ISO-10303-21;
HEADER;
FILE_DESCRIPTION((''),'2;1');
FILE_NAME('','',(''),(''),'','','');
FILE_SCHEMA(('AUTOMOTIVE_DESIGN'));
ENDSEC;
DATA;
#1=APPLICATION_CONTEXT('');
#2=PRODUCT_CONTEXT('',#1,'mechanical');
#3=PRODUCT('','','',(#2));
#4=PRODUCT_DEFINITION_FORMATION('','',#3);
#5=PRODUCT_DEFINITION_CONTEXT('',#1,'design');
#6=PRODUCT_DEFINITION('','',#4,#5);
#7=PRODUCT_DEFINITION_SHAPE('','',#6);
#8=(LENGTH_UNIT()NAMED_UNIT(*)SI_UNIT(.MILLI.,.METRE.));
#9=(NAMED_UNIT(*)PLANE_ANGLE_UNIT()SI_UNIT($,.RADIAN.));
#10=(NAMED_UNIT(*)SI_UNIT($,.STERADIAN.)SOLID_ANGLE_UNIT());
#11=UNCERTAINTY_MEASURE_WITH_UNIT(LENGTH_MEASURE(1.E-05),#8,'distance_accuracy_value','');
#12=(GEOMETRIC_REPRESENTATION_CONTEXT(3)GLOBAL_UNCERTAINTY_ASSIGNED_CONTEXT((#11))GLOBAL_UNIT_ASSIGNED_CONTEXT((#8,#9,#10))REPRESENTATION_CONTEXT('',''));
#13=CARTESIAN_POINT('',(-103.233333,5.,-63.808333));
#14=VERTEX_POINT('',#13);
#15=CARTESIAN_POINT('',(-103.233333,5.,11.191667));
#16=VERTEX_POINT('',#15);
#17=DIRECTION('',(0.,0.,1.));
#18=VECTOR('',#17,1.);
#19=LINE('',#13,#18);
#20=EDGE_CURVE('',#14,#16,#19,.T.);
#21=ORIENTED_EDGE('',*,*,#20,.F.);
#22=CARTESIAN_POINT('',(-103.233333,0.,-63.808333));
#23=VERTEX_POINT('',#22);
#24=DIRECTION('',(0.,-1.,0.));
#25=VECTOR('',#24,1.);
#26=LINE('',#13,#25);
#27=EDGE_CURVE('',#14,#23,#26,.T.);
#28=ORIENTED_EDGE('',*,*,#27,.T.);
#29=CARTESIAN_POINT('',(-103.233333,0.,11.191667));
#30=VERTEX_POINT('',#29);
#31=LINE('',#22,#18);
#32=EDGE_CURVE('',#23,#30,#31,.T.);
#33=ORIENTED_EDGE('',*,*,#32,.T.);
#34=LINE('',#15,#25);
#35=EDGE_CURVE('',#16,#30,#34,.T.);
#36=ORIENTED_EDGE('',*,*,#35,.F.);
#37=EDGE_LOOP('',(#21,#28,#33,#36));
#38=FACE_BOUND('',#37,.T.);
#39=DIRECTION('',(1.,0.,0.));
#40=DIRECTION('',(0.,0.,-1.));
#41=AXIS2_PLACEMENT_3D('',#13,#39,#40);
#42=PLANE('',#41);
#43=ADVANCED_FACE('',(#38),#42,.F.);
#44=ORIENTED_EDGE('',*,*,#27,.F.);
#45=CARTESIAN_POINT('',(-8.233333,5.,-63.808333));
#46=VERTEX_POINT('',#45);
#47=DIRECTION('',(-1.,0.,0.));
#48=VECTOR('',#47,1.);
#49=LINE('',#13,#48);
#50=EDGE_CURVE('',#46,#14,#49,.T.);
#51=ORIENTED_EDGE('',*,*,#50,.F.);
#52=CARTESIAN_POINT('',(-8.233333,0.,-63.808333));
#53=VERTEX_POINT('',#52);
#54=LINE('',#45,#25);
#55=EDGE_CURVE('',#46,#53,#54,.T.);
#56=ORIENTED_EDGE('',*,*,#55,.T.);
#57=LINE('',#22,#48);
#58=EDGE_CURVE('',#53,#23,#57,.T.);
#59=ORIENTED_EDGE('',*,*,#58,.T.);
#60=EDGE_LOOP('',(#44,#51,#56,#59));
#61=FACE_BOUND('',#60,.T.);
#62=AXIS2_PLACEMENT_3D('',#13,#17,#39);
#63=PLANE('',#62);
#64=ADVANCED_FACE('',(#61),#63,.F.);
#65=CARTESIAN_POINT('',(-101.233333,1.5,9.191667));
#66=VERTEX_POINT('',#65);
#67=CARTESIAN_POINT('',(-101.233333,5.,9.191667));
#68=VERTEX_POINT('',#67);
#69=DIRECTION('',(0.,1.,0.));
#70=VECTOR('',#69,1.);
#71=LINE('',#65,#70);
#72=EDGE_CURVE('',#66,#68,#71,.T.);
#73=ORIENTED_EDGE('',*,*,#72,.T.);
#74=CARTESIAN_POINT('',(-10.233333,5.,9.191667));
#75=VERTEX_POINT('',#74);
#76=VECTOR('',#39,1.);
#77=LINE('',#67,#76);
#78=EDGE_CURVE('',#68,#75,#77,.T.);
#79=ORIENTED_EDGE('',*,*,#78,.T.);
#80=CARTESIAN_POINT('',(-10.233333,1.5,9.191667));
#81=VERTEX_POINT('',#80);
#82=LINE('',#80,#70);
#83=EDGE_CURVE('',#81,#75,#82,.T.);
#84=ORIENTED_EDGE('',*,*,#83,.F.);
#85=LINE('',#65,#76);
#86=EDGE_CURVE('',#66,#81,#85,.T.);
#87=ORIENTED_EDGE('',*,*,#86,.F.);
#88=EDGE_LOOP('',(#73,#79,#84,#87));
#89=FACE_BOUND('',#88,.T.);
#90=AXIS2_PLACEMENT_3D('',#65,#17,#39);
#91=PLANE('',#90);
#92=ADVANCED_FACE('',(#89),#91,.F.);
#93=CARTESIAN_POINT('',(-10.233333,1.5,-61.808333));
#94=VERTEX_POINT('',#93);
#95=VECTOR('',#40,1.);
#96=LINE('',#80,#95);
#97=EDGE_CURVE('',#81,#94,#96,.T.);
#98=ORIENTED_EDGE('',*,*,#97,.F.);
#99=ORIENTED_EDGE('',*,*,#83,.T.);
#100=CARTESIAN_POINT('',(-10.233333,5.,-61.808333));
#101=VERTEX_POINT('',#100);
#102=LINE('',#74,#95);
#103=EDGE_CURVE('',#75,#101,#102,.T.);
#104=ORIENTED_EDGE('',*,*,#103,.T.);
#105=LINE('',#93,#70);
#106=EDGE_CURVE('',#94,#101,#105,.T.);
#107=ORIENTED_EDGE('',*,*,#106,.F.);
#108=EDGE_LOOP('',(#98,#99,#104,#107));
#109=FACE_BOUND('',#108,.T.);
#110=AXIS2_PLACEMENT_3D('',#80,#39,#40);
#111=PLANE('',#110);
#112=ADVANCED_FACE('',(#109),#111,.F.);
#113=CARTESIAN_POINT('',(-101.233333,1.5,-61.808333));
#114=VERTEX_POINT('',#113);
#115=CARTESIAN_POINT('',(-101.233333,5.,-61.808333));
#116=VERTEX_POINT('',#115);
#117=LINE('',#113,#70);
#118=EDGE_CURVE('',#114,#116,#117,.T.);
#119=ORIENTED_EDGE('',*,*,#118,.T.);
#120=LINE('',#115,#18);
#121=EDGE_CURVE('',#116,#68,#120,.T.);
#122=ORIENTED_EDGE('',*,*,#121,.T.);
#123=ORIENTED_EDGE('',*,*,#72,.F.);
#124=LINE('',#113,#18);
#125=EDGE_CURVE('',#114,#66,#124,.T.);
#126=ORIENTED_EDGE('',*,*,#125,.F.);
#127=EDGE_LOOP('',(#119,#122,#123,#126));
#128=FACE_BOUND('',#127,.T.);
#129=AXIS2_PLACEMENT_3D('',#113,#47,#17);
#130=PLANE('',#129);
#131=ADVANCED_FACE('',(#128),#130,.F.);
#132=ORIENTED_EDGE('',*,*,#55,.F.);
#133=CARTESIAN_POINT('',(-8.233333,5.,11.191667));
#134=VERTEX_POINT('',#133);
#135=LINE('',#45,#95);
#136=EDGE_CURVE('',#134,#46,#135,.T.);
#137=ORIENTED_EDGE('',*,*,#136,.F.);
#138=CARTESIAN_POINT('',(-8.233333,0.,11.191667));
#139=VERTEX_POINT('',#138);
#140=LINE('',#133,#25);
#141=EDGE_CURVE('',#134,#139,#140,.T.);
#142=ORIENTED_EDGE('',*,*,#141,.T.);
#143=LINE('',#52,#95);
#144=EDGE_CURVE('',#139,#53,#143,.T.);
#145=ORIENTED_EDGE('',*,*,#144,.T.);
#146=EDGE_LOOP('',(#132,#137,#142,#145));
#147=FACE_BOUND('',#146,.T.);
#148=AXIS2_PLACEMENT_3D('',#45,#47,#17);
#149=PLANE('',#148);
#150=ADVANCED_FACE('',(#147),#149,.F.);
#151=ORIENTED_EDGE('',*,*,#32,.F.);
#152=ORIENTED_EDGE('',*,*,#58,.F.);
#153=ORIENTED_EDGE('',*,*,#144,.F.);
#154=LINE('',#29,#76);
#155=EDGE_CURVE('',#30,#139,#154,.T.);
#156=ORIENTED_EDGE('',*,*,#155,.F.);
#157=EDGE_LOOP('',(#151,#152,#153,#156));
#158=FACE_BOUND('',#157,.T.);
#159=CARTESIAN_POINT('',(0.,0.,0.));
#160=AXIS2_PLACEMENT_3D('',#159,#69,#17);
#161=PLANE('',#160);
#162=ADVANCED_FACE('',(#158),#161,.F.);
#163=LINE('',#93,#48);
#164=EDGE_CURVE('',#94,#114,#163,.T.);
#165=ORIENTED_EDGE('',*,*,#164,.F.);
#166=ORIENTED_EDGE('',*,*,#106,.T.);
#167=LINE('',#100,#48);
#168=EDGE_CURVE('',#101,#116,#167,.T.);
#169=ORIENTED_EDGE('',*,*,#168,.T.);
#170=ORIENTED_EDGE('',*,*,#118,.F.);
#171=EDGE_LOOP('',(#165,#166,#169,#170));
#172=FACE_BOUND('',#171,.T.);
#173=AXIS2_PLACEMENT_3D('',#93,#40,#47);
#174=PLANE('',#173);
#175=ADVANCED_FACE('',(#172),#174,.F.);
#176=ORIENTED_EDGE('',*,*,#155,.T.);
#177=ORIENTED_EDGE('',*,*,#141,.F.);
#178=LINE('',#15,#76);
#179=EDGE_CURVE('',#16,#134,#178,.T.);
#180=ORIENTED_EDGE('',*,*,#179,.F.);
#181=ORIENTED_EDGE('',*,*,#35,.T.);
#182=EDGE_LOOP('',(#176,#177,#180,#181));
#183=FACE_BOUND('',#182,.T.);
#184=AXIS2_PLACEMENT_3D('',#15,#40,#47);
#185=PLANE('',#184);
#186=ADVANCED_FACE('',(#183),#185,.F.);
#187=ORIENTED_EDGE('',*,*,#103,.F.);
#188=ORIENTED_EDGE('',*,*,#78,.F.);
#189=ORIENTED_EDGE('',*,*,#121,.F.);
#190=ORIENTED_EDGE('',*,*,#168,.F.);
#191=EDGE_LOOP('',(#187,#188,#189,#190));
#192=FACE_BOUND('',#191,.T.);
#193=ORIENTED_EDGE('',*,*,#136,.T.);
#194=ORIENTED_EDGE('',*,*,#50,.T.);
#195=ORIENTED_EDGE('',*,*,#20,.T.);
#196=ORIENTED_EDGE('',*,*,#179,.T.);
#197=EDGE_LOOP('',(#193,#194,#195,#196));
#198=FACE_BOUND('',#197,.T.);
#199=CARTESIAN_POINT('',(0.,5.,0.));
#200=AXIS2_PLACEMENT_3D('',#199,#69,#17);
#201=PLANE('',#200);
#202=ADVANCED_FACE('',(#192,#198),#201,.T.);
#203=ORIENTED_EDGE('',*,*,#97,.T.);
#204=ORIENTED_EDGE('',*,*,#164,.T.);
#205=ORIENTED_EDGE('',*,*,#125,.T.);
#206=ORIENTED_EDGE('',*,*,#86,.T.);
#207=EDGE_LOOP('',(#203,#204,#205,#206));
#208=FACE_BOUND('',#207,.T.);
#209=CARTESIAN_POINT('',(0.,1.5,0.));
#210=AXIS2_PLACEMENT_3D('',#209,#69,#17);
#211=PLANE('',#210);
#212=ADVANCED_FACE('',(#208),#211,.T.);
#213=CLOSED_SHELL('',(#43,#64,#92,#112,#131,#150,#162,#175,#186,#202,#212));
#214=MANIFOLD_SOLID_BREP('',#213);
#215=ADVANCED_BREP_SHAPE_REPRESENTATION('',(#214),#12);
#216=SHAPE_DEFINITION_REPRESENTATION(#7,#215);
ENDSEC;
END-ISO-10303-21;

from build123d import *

# Parameters (mm, degrees)
SKETCH_6_W          = 95
SKETCH_6_H          = 75
EXTRUDE_1_DEPTH     = 5
SKETCH_7_W          = 91
SKETCH_7_H          = 71
CUT_EXTRUDE_1_DEPTH = 3.5


with BuildPart() as part:
    # 草图6 → 凸台-拉伸1 (new body)
    with BuildSketch(Plane(origin=(0, 0, 0), x_dir=(1, 0, 0), z_dir=(0, 1, 0))):
        with Locations((-55.733333333, 26.308333333)):
            Rectangle(SKETCH_6_W, SKETCH_6_H)
    extrude(amount=EXTRUDE_1_DEPTH)

    # 草图7 → 切除-拉伸1 (cut)
    with BuildSketch(Plane(origin=(0, 5, 0), x_dir=(1, 0, 0), z_dir=(0, 1, 0))):
        with Locations((-55.733333333, 26.308333333)):
            Rectangle(SKETCH_7_W, SKETCH_7_H)
    extrude(amount=-CUT_EXTRUDE_1_DEPTH, mode=Mode.SUBTRACT)


solid = part.part
